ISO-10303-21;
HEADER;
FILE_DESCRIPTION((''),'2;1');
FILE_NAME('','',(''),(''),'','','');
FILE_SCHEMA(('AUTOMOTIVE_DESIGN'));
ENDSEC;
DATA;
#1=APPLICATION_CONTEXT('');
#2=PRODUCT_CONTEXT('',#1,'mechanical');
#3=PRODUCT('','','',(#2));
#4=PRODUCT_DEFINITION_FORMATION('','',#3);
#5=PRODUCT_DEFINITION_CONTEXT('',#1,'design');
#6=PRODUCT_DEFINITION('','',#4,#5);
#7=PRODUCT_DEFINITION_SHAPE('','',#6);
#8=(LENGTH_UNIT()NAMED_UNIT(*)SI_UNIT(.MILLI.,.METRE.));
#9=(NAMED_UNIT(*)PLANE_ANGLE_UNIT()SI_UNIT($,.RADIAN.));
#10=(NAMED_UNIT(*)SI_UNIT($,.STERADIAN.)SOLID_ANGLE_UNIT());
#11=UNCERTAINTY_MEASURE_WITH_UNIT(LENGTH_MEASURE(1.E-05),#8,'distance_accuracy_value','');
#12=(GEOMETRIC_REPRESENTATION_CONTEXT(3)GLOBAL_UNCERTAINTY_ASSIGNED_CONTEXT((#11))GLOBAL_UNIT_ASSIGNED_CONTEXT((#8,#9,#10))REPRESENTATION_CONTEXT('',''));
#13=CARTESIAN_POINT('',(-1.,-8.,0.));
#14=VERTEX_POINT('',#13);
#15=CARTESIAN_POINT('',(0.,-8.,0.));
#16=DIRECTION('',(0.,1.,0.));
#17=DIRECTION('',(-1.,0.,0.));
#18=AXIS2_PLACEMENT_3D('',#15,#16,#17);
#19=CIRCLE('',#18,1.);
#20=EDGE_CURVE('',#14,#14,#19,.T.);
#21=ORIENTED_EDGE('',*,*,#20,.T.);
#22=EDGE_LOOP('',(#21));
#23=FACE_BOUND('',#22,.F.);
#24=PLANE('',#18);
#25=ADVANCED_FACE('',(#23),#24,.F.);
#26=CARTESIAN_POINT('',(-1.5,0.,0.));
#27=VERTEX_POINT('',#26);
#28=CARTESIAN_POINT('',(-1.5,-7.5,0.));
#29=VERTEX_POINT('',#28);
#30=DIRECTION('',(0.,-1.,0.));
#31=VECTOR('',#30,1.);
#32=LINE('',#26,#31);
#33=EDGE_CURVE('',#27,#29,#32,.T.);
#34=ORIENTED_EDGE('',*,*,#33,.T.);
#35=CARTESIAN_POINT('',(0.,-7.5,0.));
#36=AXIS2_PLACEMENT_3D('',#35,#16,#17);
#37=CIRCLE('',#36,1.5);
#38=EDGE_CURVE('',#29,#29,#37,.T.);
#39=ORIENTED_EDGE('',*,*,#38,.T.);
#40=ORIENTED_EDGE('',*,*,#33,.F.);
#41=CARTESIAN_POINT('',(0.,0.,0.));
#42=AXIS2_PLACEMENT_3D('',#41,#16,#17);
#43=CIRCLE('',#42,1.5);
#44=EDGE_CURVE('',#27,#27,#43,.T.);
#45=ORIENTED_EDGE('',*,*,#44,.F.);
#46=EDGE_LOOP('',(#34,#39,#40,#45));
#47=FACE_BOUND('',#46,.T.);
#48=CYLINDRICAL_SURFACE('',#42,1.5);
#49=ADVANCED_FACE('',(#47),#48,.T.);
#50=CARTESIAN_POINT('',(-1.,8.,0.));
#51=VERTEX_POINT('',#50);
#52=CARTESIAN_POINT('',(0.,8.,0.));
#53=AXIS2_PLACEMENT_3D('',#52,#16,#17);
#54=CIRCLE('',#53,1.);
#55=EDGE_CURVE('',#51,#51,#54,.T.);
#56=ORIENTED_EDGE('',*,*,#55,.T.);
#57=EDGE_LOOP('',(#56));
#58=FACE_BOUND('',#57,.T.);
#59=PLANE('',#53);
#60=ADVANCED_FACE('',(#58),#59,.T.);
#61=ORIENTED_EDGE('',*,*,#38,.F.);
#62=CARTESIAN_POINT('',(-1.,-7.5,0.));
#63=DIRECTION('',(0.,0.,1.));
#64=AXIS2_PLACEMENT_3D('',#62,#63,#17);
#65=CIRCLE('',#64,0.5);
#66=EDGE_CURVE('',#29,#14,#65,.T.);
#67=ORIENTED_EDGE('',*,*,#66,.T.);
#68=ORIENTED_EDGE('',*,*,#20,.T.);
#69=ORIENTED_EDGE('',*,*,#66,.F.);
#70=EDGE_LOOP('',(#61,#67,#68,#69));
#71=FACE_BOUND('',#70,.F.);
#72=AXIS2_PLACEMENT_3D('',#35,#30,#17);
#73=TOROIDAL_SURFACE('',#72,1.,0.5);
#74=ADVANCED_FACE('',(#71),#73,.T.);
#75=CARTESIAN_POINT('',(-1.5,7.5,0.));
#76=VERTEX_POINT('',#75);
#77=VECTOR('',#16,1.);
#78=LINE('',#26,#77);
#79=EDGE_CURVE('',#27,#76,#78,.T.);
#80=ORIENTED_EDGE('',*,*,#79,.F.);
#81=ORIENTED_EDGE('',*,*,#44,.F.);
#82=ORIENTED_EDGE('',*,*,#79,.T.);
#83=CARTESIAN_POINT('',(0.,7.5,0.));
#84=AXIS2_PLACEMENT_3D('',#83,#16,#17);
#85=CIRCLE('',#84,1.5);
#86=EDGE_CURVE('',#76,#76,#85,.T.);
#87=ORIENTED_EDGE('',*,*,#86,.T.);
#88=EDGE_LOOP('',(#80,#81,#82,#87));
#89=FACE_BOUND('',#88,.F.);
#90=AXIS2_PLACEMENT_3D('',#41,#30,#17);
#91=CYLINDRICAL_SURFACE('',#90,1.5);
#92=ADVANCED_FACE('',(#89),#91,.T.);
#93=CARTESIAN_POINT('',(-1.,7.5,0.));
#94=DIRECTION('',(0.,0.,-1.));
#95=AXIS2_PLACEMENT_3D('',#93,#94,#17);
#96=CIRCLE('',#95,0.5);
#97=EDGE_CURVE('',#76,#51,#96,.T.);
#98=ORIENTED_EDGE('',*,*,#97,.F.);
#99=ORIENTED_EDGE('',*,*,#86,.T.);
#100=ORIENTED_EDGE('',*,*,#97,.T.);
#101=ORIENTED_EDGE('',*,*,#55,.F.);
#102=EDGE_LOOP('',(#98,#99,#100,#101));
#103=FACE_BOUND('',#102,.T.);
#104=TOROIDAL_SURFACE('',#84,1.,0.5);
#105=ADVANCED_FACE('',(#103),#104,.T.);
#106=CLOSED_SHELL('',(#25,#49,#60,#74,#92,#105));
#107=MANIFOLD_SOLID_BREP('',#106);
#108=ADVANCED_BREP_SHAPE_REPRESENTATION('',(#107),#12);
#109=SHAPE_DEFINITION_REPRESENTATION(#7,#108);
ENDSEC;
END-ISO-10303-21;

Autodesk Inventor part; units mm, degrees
ref_plane "YZ Plane" through (0, 0, 0) normal (1, 0, 0) x (0, 1, 0)
ref_plane "XZ Plane" through (0, 0, 0) normal (0, 1, 0) x (-1, 0, 0)
ref_plane "XY Plane" through (0, 0, 0) normal (0, 0, 1) x (1, 0, 0)
sketch "スケッチ1" plane through (0, 0, 0) normal (0, 1, 0) x (-1, 0, 0)
  circle A0 centre (0, 0) radius 1.5
  dimension "d0" = 3
extrude "押し出し1" add sketch "スケッチ1" along normal mid plane 16
fillet "フィレット1" radius 0.5 2 edges at (1.5, 8, 0) (1.5, -8, 0)
properties part number "pin"
